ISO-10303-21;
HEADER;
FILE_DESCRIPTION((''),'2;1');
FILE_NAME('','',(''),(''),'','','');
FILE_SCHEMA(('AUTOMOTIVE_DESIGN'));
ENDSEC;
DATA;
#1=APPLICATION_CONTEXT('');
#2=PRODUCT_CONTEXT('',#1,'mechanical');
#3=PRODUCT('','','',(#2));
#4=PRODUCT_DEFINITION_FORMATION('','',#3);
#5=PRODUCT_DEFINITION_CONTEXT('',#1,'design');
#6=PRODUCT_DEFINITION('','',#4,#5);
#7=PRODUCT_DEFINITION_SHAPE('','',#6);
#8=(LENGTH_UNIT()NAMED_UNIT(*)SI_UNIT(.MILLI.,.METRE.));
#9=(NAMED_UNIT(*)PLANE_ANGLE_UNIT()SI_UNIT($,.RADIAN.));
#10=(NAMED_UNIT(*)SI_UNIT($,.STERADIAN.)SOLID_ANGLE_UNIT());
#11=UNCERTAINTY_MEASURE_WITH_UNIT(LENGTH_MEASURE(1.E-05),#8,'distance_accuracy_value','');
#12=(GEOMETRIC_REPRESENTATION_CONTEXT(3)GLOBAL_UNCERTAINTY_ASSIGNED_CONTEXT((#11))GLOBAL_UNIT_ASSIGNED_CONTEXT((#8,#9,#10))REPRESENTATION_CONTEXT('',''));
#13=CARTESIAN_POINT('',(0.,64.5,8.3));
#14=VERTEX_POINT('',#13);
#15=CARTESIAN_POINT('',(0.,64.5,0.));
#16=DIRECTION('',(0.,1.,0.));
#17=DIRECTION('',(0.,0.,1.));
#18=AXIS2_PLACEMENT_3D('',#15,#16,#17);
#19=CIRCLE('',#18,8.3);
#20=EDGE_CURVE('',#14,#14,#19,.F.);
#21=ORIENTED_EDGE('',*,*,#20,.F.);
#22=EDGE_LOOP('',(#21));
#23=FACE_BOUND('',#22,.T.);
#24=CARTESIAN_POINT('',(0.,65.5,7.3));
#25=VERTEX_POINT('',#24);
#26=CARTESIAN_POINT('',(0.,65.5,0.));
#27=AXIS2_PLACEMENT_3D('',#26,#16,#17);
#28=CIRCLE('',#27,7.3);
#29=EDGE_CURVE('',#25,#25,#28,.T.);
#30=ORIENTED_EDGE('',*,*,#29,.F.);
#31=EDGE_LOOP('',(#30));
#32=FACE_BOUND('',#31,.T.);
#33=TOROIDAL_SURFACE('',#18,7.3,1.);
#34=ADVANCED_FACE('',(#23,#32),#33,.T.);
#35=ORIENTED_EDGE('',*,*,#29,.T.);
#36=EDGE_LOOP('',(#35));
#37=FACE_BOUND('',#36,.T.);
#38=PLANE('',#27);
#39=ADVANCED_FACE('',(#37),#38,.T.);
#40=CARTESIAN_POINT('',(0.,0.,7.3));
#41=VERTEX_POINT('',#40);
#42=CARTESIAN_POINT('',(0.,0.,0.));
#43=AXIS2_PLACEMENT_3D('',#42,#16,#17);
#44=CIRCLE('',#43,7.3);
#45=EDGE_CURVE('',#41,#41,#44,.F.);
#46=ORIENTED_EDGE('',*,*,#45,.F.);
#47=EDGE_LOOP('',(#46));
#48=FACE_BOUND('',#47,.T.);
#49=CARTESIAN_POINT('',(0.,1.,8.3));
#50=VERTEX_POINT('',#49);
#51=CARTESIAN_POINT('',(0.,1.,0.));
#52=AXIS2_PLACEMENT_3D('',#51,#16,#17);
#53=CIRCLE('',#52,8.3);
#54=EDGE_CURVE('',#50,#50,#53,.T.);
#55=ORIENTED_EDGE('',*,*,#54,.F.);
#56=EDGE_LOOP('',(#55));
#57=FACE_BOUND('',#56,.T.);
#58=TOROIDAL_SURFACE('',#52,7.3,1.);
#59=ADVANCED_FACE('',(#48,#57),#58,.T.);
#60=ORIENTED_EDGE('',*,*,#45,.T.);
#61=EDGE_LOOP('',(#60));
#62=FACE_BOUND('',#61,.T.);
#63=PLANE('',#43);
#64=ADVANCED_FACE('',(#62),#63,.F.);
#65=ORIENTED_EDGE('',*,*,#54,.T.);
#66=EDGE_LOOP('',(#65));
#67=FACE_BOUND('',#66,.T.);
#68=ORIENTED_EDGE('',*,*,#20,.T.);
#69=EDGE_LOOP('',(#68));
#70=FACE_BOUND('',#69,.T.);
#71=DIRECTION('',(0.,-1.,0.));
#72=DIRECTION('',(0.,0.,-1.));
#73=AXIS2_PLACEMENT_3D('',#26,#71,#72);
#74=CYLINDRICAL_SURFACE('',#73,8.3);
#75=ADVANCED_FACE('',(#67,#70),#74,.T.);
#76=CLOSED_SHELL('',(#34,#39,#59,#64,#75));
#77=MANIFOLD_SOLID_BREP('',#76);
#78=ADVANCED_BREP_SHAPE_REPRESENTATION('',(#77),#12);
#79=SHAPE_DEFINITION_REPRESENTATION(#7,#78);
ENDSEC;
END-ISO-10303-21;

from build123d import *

# Parameters (mm, degrees)
CROQUIS1_R              = 8.3
SALIENTE_EXTRUIR1_DEPTH = 65.5
REDONDEO3_R             = 1


with BuildPart() as part:
    # Croquis1 → Saliente-Extruir1 (new body)
    with BuildSketch(Plane(origin=(0, 0, 0), x_dir=(1, 0, 0), z_dir=(0, 1, 0))):
        with Locations(Location((0, 0, 0), (0, 0, 270))):
            Circle(CROQUIS1_R)
    extrude(amount=SALIENTE_EXTRUIR1_DEPTH)

    # Redondeo3
    redondeo3_edges = [part.edges().sort_by_distance(p)[0] for p in [
        (0, 0, -8.3),
        (0, 65.5, -8.3),
    ]]
    fillet(redondeo3_edges, radius=REDONDEO3_R)


solid = part.part
